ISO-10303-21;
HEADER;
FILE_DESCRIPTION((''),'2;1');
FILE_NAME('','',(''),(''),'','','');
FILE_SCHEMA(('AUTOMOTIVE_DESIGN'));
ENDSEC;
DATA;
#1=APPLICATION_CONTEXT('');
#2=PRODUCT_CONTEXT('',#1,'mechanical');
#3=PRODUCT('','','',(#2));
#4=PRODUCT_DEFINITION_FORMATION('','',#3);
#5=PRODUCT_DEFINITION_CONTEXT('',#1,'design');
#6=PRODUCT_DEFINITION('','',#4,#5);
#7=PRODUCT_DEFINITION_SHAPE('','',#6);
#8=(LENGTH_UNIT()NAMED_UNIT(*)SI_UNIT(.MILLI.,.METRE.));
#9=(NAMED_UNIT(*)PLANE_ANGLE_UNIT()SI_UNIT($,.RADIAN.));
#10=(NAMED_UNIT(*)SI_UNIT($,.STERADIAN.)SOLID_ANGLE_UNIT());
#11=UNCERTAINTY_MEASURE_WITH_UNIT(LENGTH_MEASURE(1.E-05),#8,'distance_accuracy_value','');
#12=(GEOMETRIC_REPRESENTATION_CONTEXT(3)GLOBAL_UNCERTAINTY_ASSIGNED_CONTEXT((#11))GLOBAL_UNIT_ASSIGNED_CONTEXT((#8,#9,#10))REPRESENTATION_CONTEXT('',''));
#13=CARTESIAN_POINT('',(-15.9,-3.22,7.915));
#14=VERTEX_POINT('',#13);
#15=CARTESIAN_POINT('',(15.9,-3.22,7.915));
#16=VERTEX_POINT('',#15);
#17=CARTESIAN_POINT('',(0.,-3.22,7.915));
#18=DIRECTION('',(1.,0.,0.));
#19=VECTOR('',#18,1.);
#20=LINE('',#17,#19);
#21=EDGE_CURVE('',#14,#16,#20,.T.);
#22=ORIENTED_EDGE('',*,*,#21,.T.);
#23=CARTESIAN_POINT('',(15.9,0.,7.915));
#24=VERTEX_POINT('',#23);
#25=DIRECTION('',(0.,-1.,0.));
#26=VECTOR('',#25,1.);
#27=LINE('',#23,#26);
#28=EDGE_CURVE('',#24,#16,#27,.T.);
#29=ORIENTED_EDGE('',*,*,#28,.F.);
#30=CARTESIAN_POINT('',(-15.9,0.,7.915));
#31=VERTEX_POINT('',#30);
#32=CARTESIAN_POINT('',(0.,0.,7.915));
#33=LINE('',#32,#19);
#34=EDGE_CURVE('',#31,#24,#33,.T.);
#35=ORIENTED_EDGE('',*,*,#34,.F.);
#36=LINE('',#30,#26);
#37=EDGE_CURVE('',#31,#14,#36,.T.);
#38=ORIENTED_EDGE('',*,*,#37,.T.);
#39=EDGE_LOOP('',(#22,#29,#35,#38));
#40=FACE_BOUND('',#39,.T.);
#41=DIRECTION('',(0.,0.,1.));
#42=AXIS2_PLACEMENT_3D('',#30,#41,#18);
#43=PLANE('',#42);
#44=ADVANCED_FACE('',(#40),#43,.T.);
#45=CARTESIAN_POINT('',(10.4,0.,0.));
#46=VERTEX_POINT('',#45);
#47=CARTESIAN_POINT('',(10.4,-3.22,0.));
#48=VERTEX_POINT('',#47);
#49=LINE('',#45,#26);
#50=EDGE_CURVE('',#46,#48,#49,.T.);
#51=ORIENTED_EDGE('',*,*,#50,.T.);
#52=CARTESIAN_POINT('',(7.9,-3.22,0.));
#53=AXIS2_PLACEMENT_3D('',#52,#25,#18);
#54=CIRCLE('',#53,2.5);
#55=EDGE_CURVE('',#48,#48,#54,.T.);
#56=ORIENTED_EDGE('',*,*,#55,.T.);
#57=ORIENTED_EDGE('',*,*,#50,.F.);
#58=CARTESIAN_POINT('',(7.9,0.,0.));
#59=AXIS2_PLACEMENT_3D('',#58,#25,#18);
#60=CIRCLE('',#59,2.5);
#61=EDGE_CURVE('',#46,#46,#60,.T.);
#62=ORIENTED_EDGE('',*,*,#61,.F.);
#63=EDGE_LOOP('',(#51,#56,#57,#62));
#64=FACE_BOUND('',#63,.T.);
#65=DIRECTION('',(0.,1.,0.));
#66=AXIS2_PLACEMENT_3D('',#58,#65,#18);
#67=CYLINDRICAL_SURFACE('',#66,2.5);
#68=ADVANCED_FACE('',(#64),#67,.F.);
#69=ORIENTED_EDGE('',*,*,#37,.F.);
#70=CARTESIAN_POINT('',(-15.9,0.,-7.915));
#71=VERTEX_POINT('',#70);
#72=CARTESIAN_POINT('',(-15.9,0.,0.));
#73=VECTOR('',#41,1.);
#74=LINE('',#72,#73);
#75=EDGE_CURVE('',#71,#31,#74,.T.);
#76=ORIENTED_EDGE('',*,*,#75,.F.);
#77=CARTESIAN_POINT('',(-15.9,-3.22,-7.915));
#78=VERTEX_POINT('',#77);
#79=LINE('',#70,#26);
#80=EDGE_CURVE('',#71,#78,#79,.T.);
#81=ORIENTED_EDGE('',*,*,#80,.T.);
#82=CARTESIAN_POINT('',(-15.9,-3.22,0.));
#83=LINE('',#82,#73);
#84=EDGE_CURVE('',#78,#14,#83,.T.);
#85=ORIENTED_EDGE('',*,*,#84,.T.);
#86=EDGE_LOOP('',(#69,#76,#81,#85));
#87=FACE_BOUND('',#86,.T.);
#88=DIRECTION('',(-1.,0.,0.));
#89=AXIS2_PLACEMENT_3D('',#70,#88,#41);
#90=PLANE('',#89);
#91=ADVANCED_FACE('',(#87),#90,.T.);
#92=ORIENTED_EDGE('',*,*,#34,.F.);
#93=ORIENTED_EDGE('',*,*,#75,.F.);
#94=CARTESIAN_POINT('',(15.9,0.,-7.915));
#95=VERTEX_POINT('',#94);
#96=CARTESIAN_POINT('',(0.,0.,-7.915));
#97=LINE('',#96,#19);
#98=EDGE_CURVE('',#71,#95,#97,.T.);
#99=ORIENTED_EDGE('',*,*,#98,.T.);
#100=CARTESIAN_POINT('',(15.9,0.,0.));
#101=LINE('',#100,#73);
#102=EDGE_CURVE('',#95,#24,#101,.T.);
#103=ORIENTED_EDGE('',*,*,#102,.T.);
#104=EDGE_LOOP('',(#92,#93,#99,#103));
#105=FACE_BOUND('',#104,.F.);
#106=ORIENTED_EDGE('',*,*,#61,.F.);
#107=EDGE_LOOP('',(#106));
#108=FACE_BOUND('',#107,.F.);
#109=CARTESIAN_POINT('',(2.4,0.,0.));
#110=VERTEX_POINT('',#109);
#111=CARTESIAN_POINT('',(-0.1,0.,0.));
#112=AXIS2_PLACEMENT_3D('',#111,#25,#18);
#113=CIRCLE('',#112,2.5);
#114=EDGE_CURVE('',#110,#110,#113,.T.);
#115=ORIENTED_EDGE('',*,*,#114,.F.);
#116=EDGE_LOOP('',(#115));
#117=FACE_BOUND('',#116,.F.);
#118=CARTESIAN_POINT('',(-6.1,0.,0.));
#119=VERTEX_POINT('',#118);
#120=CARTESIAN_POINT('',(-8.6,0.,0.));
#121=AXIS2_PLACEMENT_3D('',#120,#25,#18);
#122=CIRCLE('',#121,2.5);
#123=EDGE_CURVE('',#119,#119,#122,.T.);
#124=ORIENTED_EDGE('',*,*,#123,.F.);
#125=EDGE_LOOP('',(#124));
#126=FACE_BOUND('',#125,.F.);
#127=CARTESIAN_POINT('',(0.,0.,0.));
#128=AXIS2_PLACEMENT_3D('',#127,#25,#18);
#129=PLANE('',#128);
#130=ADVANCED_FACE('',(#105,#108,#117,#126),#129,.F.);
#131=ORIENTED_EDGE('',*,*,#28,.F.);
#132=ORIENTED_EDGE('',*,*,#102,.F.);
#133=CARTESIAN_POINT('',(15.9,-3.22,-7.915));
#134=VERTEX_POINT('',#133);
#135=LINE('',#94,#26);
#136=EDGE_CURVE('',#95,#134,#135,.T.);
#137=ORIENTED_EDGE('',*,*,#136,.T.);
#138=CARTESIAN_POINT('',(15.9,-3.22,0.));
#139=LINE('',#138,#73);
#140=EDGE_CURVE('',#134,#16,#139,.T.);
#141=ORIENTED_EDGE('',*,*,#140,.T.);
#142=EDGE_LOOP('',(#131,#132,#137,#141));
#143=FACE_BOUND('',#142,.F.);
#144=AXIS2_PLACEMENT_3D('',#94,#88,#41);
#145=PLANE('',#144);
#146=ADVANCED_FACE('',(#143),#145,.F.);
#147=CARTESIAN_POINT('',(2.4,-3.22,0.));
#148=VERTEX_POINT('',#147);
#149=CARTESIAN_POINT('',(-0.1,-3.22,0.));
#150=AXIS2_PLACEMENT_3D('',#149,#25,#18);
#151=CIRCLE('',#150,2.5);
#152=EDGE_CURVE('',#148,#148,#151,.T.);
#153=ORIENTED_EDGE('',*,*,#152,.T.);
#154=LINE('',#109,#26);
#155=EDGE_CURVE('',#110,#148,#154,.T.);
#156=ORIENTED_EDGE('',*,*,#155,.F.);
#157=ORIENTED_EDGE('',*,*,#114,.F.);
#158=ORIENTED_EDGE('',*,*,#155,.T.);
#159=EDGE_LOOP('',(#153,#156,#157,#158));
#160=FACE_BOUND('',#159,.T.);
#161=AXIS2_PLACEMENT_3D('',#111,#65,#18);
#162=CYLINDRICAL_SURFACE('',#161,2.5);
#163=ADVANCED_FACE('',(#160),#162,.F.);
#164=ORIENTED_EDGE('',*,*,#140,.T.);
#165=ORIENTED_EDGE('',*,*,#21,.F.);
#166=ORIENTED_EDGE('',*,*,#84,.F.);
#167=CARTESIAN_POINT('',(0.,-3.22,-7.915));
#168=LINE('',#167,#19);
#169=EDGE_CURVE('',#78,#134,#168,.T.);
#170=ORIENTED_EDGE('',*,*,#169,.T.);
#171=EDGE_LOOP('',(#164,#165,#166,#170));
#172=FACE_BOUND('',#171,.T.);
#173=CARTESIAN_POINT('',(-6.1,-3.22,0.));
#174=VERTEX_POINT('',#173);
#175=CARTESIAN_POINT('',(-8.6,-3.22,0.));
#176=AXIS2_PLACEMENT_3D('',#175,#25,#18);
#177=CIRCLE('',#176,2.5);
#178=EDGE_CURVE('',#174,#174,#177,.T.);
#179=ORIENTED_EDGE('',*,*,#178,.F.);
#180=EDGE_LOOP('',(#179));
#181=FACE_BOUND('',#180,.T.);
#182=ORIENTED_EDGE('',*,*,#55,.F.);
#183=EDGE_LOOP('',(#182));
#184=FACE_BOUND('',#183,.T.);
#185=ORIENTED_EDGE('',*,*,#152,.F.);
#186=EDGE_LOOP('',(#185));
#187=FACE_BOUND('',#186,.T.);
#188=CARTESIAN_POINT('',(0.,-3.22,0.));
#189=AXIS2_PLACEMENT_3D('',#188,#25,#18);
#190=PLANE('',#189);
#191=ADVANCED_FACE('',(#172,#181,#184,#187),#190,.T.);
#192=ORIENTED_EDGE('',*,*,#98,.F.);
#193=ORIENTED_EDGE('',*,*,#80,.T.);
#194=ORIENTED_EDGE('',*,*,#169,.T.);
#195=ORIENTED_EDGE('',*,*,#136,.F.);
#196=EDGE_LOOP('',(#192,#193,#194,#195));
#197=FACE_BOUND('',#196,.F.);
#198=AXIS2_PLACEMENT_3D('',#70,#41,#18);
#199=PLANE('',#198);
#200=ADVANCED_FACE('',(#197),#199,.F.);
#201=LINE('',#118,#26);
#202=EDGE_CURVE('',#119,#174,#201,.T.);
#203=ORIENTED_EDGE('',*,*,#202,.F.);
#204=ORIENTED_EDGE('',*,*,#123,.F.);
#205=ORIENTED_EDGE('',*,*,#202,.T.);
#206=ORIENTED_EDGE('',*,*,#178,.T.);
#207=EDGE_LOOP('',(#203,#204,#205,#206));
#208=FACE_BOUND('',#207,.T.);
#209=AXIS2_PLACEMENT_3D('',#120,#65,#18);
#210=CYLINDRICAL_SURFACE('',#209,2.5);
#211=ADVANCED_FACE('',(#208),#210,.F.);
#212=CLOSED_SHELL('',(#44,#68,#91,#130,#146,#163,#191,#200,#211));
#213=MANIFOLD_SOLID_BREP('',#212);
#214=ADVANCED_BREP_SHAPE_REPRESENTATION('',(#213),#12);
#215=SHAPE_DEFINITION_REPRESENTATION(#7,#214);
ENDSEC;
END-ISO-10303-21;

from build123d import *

# Parameters (mm, degrees)
F0_W     = 31.8
F0_H     = 15.83
F0_R     = 2.5
F1_DEPTH = 3.22


with BuildPart() as f1:
    # F0 (on Front) → F1 (new body)
    with BuildSketch(Plane.XZ):
        Rectangle(F0_W, F0_H)
        with Locations((-8.6, 0)):
            Circle(F0_R, mode=Mode.SUBTRACT)
        with Locations((-0.1, 0)):
            Circle(F0_R, mode=Mode.SUBTRACT)
        with Locations((7.9, 0)):
            Circle(F0_R, mode=Mode.SUBTRACT)
    extrude(amount=F1_DEPTH)


solid = f1.part
